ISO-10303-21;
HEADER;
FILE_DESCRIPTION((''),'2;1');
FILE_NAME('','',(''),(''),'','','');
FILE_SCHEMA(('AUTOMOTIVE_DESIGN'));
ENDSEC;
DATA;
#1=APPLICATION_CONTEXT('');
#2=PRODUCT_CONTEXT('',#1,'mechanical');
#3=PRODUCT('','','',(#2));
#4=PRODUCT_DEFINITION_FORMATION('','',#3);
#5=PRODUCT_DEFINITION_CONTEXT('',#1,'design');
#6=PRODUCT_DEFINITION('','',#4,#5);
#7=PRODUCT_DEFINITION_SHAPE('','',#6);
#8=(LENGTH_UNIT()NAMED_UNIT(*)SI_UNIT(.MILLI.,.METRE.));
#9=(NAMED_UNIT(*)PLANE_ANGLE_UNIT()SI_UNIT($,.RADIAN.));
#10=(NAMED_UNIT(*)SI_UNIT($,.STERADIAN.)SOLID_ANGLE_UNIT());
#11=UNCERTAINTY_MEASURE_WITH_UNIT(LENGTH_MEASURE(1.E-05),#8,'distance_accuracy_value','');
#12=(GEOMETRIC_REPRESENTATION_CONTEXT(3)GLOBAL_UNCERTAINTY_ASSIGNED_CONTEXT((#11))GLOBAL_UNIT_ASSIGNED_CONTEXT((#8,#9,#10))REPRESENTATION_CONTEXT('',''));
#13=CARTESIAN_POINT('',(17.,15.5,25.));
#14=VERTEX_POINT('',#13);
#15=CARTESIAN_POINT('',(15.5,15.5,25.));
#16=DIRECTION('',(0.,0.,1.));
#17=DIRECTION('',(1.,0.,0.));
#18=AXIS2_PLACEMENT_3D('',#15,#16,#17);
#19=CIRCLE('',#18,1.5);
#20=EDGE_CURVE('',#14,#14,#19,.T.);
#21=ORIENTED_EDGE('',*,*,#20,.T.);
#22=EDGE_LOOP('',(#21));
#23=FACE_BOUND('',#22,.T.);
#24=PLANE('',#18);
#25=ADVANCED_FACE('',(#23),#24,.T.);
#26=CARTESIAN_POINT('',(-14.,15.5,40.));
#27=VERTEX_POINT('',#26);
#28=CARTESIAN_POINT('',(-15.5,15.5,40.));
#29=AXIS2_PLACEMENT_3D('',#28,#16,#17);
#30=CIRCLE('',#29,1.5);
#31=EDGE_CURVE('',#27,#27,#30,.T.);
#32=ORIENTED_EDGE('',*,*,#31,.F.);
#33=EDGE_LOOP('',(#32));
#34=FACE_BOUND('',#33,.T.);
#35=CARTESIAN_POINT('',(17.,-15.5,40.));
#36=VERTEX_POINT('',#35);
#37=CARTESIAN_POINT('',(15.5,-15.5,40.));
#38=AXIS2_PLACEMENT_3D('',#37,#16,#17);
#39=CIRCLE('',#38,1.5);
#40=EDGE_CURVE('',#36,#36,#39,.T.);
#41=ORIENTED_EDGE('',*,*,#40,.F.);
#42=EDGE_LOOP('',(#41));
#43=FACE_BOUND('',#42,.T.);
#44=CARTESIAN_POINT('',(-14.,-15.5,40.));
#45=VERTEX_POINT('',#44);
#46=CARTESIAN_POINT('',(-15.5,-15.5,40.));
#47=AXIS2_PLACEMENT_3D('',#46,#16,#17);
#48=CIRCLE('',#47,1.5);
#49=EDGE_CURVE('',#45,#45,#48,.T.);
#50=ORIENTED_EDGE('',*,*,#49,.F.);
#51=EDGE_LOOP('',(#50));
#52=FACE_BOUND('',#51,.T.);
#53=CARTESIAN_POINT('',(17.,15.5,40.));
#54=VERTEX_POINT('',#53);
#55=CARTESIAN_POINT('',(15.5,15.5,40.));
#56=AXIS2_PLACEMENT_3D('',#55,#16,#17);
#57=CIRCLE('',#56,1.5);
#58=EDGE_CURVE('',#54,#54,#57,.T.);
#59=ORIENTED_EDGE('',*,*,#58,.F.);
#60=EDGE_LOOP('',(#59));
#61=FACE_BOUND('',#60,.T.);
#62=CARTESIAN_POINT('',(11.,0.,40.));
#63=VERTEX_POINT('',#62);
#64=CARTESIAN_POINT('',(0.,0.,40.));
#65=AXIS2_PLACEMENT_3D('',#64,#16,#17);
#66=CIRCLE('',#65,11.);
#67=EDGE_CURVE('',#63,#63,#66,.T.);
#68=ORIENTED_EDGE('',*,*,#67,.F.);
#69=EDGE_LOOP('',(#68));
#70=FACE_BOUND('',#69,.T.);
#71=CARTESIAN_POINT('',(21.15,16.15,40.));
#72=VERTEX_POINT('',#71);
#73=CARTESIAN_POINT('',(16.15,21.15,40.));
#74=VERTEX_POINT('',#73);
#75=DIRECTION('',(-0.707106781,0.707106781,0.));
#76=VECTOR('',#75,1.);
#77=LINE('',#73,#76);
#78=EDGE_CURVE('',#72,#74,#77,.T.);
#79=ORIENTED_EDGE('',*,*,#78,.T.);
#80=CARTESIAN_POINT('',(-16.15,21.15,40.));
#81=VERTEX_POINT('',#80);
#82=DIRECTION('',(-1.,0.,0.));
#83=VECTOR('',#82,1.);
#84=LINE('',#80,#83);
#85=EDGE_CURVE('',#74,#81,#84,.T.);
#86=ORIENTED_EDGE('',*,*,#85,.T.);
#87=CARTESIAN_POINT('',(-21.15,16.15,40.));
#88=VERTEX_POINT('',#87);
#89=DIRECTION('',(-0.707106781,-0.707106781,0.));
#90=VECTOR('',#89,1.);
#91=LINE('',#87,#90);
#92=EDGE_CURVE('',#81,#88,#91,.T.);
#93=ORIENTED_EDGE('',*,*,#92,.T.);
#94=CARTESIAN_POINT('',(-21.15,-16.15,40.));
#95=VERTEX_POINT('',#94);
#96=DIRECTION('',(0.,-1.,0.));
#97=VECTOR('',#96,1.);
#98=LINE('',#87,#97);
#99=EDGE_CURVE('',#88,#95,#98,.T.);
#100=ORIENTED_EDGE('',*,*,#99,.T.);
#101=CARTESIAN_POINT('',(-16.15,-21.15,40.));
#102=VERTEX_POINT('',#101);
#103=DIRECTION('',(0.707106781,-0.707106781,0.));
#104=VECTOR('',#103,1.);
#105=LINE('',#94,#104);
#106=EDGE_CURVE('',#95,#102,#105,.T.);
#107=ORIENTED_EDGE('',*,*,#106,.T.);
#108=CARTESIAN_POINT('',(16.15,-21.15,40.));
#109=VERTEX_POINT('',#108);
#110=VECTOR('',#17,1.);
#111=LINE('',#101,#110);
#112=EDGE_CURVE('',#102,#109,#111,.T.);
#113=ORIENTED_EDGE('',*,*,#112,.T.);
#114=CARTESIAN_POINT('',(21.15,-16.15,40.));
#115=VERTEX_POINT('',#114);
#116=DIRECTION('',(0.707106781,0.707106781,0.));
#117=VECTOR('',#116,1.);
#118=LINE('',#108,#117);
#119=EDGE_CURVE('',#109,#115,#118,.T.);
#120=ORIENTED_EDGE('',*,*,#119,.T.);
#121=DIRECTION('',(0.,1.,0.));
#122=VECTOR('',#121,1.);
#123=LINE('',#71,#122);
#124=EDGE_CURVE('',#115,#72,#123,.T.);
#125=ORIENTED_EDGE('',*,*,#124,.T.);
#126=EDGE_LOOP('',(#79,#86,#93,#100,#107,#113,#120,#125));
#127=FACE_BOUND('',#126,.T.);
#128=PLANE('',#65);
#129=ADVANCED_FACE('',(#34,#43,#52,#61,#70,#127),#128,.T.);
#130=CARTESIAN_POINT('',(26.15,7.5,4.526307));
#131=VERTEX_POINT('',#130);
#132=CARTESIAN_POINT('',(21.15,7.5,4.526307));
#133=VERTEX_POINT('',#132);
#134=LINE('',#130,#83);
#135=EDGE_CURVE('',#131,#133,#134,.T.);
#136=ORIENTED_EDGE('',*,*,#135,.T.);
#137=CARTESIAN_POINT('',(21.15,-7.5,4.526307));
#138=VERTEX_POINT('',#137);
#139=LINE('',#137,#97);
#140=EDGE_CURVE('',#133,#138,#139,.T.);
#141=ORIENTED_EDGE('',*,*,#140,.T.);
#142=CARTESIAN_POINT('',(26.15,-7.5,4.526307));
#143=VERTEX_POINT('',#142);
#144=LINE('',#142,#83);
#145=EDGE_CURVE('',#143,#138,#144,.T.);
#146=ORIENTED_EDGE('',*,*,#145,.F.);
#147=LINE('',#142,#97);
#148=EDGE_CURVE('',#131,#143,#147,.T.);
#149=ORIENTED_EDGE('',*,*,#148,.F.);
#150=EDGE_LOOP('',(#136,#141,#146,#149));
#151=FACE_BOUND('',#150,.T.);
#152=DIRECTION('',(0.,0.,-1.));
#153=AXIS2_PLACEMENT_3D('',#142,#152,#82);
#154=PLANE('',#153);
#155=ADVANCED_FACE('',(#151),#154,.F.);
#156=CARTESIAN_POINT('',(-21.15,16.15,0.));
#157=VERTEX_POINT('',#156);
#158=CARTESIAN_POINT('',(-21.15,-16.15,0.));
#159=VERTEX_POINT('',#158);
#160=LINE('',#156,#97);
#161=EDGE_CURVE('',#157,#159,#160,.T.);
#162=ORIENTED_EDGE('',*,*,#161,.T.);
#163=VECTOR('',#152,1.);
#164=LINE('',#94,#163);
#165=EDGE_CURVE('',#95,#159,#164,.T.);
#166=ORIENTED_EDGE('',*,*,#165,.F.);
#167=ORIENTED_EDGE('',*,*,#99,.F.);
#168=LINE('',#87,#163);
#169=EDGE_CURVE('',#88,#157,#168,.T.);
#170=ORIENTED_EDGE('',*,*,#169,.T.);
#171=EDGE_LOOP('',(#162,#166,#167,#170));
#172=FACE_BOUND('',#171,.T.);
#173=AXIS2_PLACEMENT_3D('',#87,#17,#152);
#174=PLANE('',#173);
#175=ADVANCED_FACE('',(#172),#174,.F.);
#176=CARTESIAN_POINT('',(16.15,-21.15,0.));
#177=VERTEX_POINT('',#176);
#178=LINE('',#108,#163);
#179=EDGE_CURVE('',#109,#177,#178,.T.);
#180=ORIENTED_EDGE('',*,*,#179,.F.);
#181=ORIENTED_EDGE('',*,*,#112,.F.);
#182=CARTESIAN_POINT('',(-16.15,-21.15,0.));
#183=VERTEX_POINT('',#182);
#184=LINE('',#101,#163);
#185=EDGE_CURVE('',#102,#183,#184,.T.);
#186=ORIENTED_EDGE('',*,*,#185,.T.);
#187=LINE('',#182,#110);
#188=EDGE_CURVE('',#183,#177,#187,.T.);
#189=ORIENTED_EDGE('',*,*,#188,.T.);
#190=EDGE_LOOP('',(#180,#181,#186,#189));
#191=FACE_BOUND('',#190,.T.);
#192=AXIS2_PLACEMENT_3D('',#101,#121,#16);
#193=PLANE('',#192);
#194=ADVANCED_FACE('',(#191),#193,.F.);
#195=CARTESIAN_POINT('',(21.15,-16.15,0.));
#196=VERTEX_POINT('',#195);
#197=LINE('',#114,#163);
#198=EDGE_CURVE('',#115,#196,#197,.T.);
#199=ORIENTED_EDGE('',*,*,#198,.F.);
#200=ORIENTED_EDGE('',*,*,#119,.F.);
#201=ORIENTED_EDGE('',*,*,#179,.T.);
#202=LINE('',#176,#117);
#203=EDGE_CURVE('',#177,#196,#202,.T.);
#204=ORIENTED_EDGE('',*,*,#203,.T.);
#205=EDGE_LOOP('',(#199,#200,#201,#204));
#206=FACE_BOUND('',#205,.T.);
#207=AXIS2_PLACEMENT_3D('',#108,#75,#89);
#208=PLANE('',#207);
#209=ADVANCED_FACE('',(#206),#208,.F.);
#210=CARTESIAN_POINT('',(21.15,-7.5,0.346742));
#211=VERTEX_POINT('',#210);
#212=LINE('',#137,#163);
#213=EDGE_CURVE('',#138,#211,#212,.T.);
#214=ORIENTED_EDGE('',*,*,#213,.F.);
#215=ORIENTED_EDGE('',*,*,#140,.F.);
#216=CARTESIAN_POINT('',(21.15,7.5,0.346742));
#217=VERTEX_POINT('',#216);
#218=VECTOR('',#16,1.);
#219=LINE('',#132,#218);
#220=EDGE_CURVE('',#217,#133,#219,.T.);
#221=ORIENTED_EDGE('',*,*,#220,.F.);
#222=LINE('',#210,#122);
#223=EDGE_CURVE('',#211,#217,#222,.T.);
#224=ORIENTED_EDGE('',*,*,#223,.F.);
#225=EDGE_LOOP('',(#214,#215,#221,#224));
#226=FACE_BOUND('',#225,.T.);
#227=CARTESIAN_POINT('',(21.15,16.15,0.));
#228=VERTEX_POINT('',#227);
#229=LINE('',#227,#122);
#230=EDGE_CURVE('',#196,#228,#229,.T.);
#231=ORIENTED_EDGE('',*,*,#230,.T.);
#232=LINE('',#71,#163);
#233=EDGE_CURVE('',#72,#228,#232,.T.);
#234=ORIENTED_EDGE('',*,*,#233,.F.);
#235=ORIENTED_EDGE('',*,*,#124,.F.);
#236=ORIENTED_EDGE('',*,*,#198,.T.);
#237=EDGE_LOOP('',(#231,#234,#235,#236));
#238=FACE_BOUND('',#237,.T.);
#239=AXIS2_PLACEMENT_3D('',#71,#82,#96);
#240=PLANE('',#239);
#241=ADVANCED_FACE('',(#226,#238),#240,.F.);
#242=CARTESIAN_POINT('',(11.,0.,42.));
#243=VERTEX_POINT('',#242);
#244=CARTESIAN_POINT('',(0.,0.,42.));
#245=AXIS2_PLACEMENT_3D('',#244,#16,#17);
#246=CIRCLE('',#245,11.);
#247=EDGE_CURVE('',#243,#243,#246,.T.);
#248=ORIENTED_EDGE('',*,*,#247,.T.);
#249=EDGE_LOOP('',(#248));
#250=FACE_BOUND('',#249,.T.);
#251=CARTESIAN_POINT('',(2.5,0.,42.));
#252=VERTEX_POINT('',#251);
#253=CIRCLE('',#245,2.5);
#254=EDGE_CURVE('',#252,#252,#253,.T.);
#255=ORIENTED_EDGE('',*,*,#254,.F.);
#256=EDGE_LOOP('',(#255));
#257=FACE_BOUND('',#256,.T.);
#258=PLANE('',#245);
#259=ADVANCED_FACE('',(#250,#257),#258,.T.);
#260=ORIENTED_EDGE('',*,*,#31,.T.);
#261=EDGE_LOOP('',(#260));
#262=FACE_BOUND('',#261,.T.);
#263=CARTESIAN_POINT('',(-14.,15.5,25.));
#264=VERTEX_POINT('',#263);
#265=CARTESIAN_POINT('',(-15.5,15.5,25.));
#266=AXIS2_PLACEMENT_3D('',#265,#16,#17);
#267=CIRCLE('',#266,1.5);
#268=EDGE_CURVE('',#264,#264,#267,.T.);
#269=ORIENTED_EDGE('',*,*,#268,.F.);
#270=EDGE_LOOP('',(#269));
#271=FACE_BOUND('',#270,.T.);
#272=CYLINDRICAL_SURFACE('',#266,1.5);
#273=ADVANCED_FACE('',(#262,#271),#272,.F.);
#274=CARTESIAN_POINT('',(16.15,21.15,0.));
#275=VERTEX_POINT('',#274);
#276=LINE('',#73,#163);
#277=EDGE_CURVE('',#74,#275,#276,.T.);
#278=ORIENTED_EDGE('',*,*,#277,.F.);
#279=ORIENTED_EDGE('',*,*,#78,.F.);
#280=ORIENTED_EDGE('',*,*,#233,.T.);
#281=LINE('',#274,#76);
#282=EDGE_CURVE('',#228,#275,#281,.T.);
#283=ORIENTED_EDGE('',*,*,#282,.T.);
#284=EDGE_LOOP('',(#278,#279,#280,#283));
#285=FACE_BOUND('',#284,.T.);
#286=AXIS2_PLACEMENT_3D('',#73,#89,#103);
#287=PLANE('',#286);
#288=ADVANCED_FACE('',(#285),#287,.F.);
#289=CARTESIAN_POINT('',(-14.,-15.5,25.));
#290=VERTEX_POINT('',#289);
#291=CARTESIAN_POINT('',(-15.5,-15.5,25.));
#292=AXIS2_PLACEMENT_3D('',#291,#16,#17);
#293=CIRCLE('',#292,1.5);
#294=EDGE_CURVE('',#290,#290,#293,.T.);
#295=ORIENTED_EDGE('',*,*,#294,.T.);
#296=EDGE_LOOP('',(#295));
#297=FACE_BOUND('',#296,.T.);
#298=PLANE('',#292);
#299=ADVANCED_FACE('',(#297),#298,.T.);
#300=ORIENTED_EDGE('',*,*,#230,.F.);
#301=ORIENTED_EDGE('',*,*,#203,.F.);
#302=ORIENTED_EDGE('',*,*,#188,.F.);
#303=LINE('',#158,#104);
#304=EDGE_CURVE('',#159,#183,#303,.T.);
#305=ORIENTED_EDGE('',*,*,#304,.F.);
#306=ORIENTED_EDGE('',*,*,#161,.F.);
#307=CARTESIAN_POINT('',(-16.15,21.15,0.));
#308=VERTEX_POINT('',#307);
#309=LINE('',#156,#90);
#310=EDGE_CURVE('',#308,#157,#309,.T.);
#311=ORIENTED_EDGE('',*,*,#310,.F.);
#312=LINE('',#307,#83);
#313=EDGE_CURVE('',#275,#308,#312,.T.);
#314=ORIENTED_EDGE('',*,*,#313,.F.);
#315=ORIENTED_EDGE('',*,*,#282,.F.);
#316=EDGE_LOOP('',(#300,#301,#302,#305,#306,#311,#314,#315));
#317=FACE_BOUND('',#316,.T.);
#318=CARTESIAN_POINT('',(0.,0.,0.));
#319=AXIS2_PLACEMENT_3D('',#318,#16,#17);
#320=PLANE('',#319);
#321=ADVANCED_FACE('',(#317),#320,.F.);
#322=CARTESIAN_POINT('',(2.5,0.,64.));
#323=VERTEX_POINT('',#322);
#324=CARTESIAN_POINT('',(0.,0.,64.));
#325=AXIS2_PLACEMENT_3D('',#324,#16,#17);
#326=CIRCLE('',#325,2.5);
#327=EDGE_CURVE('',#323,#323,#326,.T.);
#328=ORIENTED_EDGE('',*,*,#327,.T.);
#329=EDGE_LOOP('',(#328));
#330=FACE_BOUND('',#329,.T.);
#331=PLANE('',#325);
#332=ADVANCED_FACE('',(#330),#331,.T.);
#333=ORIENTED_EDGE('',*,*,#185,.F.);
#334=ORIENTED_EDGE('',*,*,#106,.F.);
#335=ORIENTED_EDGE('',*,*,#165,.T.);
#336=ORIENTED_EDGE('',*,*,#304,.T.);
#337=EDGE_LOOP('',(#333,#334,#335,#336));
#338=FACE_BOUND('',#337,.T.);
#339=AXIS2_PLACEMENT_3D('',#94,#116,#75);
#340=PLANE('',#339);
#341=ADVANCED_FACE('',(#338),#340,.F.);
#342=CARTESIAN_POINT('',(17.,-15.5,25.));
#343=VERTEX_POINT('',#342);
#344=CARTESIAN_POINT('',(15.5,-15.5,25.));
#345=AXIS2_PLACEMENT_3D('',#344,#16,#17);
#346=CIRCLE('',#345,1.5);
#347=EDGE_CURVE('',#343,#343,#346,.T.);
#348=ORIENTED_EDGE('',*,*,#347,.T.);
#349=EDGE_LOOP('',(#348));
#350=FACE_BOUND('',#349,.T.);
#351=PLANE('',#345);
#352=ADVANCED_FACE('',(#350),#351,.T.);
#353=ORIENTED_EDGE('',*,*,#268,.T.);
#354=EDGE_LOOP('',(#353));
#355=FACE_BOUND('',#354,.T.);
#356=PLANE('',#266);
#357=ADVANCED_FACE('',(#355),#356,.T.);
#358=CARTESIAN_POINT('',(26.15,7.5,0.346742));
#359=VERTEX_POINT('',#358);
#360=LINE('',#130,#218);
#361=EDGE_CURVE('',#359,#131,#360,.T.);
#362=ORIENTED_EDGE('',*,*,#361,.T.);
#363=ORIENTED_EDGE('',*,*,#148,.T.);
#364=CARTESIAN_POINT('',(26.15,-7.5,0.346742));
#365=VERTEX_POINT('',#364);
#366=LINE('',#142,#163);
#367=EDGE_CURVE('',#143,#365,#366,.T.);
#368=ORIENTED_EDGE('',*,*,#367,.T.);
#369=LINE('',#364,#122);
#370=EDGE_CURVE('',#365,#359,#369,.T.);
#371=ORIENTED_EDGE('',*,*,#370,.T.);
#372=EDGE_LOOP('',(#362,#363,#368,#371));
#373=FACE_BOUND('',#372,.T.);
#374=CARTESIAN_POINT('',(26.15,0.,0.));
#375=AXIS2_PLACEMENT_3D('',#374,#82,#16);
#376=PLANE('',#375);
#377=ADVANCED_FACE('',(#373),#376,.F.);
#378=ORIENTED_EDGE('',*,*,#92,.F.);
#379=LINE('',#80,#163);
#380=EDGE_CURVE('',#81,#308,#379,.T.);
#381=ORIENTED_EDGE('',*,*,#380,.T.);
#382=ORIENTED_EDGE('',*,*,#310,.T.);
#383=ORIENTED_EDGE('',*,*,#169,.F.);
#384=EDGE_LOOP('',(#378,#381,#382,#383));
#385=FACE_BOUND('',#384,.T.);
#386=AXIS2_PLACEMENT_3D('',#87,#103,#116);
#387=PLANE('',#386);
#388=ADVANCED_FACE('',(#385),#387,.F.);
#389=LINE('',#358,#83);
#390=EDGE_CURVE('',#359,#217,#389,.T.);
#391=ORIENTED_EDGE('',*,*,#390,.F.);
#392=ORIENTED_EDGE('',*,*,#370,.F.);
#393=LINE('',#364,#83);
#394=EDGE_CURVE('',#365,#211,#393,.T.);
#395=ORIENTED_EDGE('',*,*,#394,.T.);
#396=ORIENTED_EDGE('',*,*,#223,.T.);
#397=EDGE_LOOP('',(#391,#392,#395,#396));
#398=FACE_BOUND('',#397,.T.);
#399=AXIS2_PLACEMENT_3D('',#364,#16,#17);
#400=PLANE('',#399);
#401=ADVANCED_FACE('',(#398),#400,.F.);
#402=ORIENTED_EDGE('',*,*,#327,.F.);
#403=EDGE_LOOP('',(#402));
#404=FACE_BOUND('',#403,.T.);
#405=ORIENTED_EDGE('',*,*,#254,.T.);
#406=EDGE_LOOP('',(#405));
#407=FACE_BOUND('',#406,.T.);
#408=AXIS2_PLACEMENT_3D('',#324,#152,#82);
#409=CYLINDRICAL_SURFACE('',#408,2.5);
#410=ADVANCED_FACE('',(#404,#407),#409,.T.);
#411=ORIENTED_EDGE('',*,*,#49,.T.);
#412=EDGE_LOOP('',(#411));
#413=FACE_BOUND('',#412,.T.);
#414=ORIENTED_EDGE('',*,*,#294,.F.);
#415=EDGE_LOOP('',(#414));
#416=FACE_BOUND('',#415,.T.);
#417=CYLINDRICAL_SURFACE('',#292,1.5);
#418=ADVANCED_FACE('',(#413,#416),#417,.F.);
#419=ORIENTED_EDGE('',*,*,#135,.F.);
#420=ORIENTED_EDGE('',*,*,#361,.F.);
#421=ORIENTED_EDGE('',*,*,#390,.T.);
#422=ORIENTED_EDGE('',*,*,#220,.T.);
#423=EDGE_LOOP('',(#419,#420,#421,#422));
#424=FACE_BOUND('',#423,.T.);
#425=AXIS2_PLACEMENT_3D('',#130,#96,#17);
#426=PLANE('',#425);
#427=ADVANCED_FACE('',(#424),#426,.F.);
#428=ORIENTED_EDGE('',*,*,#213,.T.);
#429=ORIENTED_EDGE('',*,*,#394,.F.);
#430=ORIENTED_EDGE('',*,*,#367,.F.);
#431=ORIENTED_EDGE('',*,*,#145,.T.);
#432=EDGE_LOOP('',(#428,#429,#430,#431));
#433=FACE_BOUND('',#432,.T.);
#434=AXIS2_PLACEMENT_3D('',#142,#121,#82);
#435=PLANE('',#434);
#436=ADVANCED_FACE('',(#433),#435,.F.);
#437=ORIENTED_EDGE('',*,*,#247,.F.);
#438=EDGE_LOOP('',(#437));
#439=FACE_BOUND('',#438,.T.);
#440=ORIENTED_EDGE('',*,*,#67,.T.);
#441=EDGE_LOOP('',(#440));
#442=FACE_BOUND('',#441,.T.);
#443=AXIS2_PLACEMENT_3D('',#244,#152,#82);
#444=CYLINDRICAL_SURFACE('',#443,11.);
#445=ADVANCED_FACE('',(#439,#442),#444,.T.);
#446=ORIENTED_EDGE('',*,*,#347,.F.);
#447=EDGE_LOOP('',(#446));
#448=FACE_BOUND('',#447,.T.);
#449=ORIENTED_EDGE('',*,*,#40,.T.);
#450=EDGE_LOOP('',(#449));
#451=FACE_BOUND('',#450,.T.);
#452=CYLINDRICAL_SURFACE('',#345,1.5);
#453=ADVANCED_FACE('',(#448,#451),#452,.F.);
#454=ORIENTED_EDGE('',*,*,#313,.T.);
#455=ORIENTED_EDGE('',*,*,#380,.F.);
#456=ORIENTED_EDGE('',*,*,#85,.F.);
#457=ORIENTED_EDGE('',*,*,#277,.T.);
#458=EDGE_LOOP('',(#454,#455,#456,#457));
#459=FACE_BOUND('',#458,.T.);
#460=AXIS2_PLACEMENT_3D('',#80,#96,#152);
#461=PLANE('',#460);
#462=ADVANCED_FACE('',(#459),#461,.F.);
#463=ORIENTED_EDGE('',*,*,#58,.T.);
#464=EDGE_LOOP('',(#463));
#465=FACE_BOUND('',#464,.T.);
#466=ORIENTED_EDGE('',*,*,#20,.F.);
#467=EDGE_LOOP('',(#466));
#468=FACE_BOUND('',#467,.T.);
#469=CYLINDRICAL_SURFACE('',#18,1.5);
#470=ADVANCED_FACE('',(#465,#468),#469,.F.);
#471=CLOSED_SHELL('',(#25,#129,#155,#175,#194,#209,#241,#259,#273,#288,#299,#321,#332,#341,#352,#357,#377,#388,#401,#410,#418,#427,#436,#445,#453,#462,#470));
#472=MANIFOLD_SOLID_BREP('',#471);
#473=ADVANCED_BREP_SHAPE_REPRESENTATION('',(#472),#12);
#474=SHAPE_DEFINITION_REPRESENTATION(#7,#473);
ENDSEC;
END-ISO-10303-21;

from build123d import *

# Parameters (mm, degrees)
RESSALTO_EXTRUS_O1_DEPTH = 40
ESBO_O2_R                = 11
RESSALTO_EXTRUS_O2_DEPTH = 2
ESBO_O3_R                = 2.5
RESSALTO_EXTRUS_O3_DEPTH = 22
ESBO_O4_R                = 1.5
CORTE_EXTRUS_O1_DEPTH    = 15
ESBO_O5_W                = 4.17956517
ESBO_O5_H                = 15
RESSALTO_EXTRUS_O4_DEPTH = 5


with BuildPart() as part:
    # Esboço1 → Ressalto-extrusão1 (new body)
    with BuildSketch(Plane.XY):
        Polygon((-21.15, 16.15), (-16.15, 21.15), (16.15, 21.15), (21.15, 16.15), (21.15, -16.15), (16.15, -21.15), (-16.15, -21.15), (-21.15, -16.15), align=None)
    extrude(amount=RESSALTO_EXTRUS_O1_DEPTH)

    # Esboço2 → Ressalto-extrusão2 (add)
    with BuildSketch(Plane.XY.offset(40)):
        Circle(ESBO_O2_R)
    extrude(amount=RESSALTO_EXTRUS_O2_DEPTH)

    # Esboço3 → Ressalto-extrusão3 (add)
    with BuildSketch(Plane.XY.offset(42)):
        Circle(ESBO_O3_R)
    extrude(amount=RESSALTO_EXTRUS_O3_DEPTH)

    # Esboço4 → Corte-extrusão1 (cut)
    with BuildSketch(Plane.XY.offset(40)):
        with Locations((15.5, -15.5)):
            Circle(ESBO_O4_R)
        with Locations((15.5, 15.5)):
            Circle(ESBO_O4_R)
        with Locations((-15.5, -15.5)):
            Circle(ESBO_O4_R)
        with Locations((-15.5, 15.5)):
            Circle(ESBO_O4_R)
    extrude(amount=-CORTE_EXTRUS_O1_DEPTH, mode=Mode.SUBTRACT)

    # Esboço5 → Ressalto-extrusão4 (add)
    with BuildSketch(Plane(origin=(21.15, 0, 0), x_dir=(0, 0, -1), z_dir=(1, 0, 0))):
        with Locations((-2.436524566, 0)):
            Rectangle(ESBO_O5_W, ESBO_O5_H)
    extrude(amount=RESSALTO_EXTRUS_O4_DEPTH)


solid = part.part
